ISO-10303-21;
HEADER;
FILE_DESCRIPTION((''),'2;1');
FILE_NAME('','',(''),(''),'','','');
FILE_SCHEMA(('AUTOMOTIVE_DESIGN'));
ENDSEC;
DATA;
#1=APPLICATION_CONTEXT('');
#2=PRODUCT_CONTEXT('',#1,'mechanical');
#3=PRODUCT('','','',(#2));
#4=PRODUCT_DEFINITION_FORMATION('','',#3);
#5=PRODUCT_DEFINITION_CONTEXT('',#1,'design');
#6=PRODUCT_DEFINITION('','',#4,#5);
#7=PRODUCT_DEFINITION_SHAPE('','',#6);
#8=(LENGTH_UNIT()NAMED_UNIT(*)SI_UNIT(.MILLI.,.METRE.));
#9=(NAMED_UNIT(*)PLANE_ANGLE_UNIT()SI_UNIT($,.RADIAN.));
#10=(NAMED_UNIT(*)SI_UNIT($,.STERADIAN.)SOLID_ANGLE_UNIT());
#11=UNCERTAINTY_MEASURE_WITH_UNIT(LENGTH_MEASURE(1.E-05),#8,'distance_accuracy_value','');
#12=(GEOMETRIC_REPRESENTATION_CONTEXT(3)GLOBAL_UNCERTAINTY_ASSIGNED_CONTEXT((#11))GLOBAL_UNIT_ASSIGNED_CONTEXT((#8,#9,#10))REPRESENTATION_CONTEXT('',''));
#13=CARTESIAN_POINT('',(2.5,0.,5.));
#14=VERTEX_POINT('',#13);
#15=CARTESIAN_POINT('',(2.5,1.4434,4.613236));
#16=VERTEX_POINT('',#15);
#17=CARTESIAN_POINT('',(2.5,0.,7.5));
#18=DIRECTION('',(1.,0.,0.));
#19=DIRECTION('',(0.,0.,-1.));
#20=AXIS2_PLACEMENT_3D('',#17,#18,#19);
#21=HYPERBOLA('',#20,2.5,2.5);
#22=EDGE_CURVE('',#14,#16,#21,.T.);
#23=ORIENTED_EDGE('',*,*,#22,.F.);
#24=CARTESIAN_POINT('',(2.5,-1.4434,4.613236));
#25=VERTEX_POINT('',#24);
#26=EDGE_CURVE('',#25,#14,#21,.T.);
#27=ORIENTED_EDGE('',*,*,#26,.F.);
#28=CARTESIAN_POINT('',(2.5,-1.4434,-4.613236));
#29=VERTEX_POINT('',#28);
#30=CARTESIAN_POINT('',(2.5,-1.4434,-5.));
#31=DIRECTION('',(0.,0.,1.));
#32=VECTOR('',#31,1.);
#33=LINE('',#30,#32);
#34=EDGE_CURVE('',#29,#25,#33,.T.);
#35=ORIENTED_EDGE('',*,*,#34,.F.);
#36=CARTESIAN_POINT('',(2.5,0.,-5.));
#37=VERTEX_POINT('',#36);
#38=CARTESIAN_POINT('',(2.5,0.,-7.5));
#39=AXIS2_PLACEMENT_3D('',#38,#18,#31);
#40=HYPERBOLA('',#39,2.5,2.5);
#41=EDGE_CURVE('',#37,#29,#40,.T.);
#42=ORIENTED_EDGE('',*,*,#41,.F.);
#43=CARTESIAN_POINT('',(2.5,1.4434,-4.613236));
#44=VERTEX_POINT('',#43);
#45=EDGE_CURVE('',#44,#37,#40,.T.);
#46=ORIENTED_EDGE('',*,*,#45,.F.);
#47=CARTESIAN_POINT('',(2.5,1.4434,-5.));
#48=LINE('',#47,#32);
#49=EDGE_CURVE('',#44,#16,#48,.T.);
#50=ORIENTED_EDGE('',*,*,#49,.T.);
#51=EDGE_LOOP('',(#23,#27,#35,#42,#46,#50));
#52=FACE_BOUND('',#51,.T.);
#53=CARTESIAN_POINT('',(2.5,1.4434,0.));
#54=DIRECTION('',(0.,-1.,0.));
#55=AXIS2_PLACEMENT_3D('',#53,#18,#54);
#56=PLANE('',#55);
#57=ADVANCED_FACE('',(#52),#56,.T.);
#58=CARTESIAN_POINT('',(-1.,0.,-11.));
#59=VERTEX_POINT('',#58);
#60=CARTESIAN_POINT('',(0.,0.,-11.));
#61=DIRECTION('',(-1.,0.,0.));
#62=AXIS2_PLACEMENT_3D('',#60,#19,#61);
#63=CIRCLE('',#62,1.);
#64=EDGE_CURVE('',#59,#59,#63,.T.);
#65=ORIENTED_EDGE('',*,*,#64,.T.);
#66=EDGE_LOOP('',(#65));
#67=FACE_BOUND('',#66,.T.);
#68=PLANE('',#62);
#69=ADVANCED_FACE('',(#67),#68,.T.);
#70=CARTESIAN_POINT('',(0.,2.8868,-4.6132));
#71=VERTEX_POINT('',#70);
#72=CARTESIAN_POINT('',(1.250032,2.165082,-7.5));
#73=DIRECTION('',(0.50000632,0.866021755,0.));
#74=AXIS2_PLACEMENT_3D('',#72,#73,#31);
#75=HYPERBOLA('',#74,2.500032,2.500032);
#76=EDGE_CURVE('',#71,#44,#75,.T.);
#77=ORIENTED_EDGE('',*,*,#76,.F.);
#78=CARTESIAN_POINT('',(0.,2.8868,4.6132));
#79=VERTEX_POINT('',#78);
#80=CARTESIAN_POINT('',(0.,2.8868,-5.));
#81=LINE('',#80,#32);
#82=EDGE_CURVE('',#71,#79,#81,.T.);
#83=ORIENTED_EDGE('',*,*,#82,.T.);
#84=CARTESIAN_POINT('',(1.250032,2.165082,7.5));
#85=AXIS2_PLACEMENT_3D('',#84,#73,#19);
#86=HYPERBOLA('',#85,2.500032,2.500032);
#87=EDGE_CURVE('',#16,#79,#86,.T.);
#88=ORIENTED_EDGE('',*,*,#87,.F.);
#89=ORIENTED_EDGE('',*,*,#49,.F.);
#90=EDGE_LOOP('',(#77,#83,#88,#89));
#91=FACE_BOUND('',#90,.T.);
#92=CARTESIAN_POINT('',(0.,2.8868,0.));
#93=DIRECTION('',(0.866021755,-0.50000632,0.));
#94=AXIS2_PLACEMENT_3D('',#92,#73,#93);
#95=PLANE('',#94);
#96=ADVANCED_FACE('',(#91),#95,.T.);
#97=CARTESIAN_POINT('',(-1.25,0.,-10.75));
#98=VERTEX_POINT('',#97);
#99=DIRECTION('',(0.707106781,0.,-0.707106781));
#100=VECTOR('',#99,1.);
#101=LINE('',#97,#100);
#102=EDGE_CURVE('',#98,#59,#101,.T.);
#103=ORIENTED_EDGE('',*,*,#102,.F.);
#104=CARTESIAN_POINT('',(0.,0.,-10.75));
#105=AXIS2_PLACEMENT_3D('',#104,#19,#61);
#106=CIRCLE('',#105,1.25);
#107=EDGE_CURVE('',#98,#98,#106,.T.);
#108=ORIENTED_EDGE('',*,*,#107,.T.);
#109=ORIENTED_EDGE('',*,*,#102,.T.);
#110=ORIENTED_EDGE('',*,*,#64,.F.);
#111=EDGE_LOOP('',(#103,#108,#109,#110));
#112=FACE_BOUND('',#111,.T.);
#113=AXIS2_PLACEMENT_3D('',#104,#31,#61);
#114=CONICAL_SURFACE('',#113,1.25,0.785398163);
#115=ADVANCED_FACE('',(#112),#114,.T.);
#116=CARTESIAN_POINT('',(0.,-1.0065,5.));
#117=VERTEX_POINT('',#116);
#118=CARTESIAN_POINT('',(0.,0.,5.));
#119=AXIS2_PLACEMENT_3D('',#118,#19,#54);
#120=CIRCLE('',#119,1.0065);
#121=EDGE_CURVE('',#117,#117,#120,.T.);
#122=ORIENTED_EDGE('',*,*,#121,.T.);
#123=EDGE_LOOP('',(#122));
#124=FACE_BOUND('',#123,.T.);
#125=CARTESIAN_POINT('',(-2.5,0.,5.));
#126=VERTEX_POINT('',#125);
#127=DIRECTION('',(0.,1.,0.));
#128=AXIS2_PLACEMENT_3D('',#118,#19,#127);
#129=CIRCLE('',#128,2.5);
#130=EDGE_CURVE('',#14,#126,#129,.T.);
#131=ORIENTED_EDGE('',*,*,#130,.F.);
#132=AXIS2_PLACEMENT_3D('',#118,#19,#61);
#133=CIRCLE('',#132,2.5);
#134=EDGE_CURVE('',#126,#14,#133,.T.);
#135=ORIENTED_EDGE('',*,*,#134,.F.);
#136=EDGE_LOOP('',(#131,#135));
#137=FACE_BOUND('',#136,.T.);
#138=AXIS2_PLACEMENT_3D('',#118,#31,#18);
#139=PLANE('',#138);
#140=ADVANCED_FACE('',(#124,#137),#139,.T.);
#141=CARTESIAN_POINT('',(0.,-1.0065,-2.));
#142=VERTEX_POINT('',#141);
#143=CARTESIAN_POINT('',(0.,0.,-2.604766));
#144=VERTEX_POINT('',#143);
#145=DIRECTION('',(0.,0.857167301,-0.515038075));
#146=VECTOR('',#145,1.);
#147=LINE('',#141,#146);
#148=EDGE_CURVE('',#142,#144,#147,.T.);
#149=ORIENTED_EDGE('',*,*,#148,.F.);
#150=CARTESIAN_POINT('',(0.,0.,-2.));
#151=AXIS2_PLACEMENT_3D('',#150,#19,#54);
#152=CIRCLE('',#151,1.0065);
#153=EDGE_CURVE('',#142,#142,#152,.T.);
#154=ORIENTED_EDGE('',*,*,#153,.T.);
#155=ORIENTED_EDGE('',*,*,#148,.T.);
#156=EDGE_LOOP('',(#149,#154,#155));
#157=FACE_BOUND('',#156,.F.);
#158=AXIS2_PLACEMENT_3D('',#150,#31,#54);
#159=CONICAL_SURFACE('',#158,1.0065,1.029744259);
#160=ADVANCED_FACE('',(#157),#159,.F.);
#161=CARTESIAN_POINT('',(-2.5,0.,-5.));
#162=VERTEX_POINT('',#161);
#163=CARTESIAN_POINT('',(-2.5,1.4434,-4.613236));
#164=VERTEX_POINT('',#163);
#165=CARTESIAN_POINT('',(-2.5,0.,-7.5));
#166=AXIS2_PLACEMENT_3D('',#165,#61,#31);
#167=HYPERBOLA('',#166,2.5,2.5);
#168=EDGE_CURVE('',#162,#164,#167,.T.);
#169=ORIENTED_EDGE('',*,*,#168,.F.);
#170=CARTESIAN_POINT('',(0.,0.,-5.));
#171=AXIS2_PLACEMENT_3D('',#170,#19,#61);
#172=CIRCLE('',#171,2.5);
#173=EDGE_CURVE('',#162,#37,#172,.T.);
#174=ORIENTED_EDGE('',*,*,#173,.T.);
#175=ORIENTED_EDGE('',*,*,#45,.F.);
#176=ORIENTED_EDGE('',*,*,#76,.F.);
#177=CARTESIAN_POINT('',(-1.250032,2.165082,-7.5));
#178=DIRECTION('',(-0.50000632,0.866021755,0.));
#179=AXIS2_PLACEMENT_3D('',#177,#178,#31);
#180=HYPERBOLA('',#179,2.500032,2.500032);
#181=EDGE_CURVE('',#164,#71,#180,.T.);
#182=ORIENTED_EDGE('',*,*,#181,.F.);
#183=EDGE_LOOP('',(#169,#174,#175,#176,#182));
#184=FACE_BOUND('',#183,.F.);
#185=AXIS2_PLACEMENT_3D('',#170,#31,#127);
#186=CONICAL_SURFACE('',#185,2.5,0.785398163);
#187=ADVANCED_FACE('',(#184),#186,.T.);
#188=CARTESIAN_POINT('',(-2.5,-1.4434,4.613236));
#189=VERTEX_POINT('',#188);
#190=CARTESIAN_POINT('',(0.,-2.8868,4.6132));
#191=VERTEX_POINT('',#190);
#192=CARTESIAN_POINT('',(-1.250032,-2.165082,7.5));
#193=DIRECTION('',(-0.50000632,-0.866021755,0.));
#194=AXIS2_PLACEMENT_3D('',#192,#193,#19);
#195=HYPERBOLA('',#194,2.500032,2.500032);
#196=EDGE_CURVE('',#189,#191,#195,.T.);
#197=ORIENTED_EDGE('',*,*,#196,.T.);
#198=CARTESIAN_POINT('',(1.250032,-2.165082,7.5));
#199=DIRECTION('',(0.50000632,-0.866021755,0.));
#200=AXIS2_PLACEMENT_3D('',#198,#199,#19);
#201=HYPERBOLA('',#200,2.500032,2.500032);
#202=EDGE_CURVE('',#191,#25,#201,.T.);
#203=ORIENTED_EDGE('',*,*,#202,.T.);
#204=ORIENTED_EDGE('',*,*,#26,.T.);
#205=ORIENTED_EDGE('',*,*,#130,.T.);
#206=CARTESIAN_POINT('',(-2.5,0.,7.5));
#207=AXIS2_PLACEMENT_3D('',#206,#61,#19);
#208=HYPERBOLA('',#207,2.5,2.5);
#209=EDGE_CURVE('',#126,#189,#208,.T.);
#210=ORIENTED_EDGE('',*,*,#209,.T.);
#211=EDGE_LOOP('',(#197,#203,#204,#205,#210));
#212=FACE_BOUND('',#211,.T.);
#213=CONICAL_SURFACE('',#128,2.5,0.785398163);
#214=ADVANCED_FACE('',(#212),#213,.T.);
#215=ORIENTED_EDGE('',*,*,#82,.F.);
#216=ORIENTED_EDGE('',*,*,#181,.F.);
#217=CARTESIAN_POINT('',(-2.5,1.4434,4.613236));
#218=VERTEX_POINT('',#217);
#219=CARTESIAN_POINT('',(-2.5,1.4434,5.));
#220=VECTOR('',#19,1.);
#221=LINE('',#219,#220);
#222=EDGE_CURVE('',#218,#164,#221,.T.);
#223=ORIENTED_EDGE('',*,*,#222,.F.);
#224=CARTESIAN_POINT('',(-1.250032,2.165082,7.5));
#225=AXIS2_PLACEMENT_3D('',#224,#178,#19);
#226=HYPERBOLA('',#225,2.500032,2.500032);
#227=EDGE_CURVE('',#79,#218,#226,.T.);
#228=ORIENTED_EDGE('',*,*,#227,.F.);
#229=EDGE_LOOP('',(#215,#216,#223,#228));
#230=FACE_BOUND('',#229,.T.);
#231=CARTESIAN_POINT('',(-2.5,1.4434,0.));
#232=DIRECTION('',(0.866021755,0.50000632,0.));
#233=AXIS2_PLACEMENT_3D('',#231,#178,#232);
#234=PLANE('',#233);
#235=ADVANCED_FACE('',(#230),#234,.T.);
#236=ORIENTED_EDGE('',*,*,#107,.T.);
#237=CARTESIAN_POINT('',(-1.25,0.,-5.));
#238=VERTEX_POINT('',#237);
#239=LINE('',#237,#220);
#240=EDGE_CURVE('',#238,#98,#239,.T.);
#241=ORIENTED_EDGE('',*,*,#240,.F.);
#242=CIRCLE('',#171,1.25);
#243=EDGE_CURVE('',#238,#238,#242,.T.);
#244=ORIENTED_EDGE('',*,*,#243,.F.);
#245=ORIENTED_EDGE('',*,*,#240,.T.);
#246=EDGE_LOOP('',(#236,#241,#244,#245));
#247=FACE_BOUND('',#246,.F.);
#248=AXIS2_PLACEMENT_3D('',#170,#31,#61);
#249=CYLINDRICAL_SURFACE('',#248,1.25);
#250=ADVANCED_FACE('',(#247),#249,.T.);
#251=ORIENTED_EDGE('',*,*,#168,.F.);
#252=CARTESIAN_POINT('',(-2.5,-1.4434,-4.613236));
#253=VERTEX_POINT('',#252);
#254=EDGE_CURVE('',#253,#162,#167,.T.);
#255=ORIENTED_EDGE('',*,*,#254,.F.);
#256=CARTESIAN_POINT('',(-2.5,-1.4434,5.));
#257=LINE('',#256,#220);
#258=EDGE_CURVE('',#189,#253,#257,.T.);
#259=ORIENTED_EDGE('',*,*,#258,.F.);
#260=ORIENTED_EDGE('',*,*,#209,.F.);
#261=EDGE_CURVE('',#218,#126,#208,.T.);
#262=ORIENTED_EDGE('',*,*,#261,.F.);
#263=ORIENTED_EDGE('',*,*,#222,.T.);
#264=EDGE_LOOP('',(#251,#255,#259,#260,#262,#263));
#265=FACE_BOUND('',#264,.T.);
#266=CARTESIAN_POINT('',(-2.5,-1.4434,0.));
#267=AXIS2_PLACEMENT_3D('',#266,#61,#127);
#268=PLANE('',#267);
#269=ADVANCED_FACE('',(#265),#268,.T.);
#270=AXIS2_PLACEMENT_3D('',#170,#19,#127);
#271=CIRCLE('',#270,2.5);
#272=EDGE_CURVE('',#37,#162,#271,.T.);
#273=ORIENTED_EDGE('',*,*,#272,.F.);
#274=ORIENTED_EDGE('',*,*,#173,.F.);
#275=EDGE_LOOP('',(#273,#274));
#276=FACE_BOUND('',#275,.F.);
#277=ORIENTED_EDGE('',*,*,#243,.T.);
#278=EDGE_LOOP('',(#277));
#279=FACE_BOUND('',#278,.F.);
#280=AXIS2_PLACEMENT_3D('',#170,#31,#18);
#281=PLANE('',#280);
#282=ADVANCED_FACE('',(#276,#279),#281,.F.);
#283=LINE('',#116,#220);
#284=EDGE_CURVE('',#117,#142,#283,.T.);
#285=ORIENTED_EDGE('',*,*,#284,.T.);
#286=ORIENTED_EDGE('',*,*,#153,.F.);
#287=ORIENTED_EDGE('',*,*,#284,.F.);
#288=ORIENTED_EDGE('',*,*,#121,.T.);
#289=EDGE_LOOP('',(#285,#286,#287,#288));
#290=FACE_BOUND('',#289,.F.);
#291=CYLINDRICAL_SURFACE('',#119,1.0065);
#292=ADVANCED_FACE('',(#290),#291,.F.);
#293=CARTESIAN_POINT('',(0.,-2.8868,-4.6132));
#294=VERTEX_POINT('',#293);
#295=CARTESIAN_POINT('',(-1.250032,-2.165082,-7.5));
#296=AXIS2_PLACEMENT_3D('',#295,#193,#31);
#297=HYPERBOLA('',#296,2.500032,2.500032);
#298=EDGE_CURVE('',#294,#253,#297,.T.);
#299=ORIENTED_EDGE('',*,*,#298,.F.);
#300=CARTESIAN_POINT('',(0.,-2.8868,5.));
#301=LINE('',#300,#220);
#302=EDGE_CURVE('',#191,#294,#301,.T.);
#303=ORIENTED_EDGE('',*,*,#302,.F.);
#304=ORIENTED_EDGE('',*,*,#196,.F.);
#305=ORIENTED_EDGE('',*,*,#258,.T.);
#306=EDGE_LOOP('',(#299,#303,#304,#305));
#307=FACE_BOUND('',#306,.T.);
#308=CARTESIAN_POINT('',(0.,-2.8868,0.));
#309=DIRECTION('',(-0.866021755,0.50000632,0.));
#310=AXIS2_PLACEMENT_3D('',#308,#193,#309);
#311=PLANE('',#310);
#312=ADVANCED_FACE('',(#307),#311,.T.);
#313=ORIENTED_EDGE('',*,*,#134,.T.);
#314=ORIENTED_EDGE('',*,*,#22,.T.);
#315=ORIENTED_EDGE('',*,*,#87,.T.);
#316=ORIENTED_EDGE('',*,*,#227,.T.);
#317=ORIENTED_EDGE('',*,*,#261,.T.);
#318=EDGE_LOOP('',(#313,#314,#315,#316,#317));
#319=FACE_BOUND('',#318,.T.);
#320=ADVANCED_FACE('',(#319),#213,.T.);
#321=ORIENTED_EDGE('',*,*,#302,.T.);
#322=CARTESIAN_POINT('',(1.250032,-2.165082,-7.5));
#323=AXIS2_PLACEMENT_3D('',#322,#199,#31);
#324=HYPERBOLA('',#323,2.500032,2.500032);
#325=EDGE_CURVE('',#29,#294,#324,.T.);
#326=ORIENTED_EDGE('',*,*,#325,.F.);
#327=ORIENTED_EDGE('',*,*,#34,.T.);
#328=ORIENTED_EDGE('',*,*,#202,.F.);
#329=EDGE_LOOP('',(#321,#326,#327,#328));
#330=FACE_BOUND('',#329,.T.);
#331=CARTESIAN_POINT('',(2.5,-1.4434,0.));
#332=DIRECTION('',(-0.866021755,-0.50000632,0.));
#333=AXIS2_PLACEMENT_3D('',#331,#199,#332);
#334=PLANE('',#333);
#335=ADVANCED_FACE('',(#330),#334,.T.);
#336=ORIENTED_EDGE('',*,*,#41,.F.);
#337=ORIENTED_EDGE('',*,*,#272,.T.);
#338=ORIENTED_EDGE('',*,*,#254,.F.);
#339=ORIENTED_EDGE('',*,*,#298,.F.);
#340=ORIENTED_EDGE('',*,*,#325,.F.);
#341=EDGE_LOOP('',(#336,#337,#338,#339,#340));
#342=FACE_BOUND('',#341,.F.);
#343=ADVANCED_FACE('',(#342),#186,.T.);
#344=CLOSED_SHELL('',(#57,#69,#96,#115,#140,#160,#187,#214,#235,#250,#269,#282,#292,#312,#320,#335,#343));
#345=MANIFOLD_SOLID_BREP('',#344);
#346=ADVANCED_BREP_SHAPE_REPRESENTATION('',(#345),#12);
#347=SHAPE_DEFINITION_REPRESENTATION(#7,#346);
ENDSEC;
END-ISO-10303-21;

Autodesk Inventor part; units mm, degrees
ref_plane "YZ Plane" through (0, 0, 0) normal (1, 0, 0) x (0, 1, 0)
ref_plane "XZ Plane" through (0, 0, 0) normal (0, 1, 0) x (-1, 0, 0)
ref_plane "XY Plane" through (0, 0, 0) normal (0, 0, 1) x (1, 0, 0)
sketch "Skizze1" plane through (0, 0, 0) normal (0, 0, 1) x (1, 0, 0)
  line L0 (2.5, -1.4434) -> (0, -2.8868)
  line L1 (0, -2.8868) -> (-2.5, -1.4434)
  line L2 (-2.5, -1.4434) -> (-2.5, 1.4434)
  line L3 (-2.5, 1.4434) -> (0, 2.8868)
  line L4 (0, 2.8868) -> (2.5, 1.4434)
  line L5 (2.5, 1.4434) -> (2.5, -1.4434)
  line L6 (0, 4.4456) -> (0, -4.4456) projected
  point P0 (0, 0)
  point P1 (0, 0)
  dimension "SW" = 5
extrude "Extrusion1" add sketch "Skizze1" along normal mid plane 10
sketch "Skizze2" plane through (0, 0, 5) normal (0, 0, 1) x (1, 0, 0)
  point P0 (0, 0)
  point P1 (0, 0)
hole "Bohrung1" at (0, 0, 5) direction (0, 0, -1) diameter 2.013 depth 7 tip angle 118 thread size "M2.5x0.45" class "6H" standard "ISO Metric profile"
sketch "Skizze3" plane through (0, 0, -5) normal (0, 0, -1) x (-1, 0, 0)
  circle A0 centre (0, 0) radius 1.25
  dimension "GA_" = 2.5
extrude "Extrusion2" add sketch "Skizze3" along normal blind 6
thread "Gewinde1" size "M2.5x0.45" class "6g" standard "ANSI Metric M Profile" full length
chamfer "Fase1" distance 0.25 angle 45 1 edges at (1.25, 0, -11)
sketch "Skizze4" plane through (0, 0, 5) normal (0, 0, 1) x (1, 0, 0)
  line L0 (2.5, -1.4434) -> (2.5, 1.4434) projected
  circle A0 centre (0, 0) radius 2.5
sketch "Skizze5" plane through (0, 0, 0) normal (1, 0, 0) x (0, 1, 0)
  line L0 (-1.0065, 5) -> (1.0065, 5) projected
  line L1 (-2.8868, 5) -> (-1.4434, 5) projected
  line L2 (-1.4434, 5) -> (1.4434, 5) projected
  line L3 (1.4434, 5) -> (2.8868, 5) projected
  line L4 (2.8868, 5) -> (1.4434, 5) projected
  line L5 (1.4434, 5) -> (-1.4434, 5) projected
  line L6 (-1.4434, 5) -> (-2.8868, 5) projected
  line L7 (2.5, 5) -> (-2.5, 5) projected
  line L8 (2.8868, 5) -> (2.5, 5)
  line L9 (2.5, 5) -> (2.8868, 4.6132)
  line L10 (2.8868, 4.6132) -> (2.8868, 5)
  line L11 (0, 7) -> (0, -7) projected
  line L12 (1.25, -5) -> (-1.25, -5) projected
  line L13 (-1.4434, -5) -> (-2.8868, -5) projected
  line L14 (-2.8868, -5) -> (-1.4434, -5) projected
  line L15 (-1.4434, -5) -> (1.4434, -5) projected
  line L16 (1.4434, -5) -> (2.8868, -5) projected
  line L17 (2.8868, -5) -> (1.4434, -5) projected
  line L18 (1.4434, -5) -> (-1.4434, -5) projected
  line L19 (0, 5) -> (0, -5)
  point P0 (0, 0)
  dimension "d20" = 45
revolve "Umdrehung1" cut sketch "Skizze5" angle 360 about axis through (0, 0, 5) along (0, 0, -1)
mirror "Spiegeln1" about plane through (0, 0, 0) normal (0, 0, 1) of "Umdrehung1"
properties part number "M2.5" material "Stahl"
